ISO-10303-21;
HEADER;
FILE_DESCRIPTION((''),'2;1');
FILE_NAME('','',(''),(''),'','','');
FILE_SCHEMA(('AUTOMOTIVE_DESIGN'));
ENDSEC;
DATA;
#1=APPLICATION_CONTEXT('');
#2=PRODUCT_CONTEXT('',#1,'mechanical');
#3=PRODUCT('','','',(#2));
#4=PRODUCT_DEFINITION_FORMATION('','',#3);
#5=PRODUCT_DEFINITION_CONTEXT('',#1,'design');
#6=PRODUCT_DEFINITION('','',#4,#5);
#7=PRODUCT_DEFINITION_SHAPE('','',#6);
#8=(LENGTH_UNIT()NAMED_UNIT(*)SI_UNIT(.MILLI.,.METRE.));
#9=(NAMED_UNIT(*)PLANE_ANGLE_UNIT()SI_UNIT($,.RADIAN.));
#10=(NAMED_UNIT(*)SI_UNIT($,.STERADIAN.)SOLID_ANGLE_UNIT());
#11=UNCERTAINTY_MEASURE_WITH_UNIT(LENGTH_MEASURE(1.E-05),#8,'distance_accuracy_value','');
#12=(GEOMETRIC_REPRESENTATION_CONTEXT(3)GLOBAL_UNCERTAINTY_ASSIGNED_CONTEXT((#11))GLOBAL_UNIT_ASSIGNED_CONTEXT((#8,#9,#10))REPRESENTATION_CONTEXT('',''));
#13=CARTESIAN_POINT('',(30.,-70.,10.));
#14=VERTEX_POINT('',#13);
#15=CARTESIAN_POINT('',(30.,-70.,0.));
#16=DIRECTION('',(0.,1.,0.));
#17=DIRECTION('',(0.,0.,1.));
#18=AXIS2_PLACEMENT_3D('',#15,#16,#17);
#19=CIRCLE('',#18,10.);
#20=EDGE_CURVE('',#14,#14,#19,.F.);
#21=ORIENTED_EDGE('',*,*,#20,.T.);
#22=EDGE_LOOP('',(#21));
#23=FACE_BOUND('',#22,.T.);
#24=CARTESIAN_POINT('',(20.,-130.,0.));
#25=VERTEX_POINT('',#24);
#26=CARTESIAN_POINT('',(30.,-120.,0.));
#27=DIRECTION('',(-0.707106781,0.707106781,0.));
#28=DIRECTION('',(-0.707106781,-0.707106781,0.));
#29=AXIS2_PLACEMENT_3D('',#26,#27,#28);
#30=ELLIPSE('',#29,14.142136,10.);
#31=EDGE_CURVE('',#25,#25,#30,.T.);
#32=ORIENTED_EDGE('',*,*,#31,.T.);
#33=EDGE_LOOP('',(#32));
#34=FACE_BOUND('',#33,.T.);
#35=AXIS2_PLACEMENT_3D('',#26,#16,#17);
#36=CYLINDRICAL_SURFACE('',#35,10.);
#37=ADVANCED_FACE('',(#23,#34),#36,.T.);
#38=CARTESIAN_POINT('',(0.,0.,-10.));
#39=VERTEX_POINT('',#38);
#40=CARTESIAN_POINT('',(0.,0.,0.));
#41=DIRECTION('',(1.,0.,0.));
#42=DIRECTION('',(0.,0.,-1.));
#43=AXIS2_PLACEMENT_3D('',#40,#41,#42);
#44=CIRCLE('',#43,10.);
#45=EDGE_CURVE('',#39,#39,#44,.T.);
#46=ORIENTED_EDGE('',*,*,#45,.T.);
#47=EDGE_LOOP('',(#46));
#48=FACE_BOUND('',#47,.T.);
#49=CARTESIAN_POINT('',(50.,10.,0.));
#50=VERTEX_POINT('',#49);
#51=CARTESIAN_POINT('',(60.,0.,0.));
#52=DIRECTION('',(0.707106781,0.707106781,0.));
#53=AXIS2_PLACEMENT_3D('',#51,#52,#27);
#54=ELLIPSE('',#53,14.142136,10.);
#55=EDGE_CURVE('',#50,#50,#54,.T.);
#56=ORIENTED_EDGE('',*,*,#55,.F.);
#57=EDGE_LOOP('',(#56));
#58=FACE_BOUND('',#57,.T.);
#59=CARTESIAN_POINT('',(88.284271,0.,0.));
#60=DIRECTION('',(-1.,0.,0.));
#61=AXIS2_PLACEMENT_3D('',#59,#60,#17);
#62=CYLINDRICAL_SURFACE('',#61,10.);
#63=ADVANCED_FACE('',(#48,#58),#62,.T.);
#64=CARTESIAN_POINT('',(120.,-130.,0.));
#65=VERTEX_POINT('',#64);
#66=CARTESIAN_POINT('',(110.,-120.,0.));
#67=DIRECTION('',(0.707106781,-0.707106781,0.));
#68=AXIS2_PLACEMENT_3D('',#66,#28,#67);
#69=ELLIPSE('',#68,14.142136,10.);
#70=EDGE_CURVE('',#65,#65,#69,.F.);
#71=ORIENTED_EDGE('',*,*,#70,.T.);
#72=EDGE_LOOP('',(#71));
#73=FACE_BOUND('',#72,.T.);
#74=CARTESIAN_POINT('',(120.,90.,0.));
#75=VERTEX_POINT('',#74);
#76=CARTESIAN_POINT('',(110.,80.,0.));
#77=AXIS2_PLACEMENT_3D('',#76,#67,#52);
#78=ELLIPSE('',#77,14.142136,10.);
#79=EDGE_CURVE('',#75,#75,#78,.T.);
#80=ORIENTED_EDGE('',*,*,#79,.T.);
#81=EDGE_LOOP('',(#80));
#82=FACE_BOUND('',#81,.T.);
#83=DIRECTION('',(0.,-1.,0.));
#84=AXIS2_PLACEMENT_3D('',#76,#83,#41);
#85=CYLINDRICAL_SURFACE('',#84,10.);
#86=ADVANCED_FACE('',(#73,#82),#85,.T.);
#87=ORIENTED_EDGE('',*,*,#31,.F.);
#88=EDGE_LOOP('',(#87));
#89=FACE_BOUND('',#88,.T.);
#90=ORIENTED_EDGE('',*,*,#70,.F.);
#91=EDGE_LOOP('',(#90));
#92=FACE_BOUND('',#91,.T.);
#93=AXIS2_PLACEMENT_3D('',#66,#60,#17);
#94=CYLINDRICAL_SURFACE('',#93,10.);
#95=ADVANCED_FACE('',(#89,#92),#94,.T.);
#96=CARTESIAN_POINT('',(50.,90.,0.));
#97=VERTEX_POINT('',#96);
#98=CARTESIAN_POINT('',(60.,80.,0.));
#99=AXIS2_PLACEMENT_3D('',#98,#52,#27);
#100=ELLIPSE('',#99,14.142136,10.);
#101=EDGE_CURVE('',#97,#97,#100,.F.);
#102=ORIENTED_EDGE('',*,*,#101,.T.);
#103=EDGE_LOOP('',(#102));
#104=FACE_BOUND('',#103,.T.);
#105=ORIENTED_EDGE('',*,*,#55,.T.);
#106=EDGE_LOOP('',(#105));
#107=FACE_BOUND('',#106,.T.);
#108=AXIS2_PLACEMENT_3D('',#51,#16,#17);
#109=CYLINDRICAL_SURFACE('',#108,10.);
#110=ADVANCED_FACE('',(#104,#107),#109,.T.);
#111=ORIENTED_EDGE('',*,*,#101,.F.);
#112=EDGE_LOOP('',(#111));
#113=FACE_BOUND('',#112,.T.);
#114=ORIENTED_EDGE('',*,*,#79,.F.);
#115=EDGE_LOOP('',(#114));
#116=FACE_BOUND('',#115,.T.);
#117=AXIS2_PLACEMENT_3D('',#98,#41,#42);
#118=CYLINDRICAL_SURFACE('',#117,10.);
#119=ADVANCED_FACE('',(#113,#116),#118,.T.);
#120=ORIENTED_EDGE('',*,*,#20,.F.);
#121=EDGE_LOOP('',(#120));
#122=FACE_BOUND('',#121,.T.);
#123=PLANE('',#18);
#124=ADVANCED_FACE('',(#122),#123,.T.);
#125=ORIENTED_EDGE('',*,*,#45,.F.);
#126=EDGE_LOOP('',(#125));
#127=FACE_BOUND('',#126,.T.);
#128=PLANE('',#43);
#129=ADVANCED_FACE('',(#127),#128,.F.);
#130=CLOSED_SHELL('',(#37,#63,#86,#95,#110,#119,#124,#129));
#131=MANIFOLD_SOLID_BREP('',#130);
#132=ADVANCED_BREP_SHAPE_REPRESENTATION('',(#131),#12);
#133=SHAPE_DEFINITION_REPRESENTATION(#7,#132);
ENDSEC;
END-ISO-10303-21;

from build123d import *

# Parameters (mm, degrees)
SKETCH_2_R = 10


with BuildPart() as part:
    # 스윕1: sweep along a path in 스케치1
    with BuildLine(Plane.XY) as sweep_1_path:
        Line((0, 0), (60, 0))
        Line((60, 0), (60, 80))
        Line((60, 80), (110, 80))
        Line((110, 80), (110, -120))
        Line((110, -120), (30, -120))
        Line((30, -120), (30, -70))
    # 스케치2 → 스윕1 (sweep)
    with BuildSketch(Plane(origin=(0, 0, 0), x_dir=(0, 0, -1), z_dir=(1, 0, 0))):
        Circle(SKETCH_2_R)
    sweep(path=sweep_1_path.line, transition=Transition.RIGHT)


solid = part.part
